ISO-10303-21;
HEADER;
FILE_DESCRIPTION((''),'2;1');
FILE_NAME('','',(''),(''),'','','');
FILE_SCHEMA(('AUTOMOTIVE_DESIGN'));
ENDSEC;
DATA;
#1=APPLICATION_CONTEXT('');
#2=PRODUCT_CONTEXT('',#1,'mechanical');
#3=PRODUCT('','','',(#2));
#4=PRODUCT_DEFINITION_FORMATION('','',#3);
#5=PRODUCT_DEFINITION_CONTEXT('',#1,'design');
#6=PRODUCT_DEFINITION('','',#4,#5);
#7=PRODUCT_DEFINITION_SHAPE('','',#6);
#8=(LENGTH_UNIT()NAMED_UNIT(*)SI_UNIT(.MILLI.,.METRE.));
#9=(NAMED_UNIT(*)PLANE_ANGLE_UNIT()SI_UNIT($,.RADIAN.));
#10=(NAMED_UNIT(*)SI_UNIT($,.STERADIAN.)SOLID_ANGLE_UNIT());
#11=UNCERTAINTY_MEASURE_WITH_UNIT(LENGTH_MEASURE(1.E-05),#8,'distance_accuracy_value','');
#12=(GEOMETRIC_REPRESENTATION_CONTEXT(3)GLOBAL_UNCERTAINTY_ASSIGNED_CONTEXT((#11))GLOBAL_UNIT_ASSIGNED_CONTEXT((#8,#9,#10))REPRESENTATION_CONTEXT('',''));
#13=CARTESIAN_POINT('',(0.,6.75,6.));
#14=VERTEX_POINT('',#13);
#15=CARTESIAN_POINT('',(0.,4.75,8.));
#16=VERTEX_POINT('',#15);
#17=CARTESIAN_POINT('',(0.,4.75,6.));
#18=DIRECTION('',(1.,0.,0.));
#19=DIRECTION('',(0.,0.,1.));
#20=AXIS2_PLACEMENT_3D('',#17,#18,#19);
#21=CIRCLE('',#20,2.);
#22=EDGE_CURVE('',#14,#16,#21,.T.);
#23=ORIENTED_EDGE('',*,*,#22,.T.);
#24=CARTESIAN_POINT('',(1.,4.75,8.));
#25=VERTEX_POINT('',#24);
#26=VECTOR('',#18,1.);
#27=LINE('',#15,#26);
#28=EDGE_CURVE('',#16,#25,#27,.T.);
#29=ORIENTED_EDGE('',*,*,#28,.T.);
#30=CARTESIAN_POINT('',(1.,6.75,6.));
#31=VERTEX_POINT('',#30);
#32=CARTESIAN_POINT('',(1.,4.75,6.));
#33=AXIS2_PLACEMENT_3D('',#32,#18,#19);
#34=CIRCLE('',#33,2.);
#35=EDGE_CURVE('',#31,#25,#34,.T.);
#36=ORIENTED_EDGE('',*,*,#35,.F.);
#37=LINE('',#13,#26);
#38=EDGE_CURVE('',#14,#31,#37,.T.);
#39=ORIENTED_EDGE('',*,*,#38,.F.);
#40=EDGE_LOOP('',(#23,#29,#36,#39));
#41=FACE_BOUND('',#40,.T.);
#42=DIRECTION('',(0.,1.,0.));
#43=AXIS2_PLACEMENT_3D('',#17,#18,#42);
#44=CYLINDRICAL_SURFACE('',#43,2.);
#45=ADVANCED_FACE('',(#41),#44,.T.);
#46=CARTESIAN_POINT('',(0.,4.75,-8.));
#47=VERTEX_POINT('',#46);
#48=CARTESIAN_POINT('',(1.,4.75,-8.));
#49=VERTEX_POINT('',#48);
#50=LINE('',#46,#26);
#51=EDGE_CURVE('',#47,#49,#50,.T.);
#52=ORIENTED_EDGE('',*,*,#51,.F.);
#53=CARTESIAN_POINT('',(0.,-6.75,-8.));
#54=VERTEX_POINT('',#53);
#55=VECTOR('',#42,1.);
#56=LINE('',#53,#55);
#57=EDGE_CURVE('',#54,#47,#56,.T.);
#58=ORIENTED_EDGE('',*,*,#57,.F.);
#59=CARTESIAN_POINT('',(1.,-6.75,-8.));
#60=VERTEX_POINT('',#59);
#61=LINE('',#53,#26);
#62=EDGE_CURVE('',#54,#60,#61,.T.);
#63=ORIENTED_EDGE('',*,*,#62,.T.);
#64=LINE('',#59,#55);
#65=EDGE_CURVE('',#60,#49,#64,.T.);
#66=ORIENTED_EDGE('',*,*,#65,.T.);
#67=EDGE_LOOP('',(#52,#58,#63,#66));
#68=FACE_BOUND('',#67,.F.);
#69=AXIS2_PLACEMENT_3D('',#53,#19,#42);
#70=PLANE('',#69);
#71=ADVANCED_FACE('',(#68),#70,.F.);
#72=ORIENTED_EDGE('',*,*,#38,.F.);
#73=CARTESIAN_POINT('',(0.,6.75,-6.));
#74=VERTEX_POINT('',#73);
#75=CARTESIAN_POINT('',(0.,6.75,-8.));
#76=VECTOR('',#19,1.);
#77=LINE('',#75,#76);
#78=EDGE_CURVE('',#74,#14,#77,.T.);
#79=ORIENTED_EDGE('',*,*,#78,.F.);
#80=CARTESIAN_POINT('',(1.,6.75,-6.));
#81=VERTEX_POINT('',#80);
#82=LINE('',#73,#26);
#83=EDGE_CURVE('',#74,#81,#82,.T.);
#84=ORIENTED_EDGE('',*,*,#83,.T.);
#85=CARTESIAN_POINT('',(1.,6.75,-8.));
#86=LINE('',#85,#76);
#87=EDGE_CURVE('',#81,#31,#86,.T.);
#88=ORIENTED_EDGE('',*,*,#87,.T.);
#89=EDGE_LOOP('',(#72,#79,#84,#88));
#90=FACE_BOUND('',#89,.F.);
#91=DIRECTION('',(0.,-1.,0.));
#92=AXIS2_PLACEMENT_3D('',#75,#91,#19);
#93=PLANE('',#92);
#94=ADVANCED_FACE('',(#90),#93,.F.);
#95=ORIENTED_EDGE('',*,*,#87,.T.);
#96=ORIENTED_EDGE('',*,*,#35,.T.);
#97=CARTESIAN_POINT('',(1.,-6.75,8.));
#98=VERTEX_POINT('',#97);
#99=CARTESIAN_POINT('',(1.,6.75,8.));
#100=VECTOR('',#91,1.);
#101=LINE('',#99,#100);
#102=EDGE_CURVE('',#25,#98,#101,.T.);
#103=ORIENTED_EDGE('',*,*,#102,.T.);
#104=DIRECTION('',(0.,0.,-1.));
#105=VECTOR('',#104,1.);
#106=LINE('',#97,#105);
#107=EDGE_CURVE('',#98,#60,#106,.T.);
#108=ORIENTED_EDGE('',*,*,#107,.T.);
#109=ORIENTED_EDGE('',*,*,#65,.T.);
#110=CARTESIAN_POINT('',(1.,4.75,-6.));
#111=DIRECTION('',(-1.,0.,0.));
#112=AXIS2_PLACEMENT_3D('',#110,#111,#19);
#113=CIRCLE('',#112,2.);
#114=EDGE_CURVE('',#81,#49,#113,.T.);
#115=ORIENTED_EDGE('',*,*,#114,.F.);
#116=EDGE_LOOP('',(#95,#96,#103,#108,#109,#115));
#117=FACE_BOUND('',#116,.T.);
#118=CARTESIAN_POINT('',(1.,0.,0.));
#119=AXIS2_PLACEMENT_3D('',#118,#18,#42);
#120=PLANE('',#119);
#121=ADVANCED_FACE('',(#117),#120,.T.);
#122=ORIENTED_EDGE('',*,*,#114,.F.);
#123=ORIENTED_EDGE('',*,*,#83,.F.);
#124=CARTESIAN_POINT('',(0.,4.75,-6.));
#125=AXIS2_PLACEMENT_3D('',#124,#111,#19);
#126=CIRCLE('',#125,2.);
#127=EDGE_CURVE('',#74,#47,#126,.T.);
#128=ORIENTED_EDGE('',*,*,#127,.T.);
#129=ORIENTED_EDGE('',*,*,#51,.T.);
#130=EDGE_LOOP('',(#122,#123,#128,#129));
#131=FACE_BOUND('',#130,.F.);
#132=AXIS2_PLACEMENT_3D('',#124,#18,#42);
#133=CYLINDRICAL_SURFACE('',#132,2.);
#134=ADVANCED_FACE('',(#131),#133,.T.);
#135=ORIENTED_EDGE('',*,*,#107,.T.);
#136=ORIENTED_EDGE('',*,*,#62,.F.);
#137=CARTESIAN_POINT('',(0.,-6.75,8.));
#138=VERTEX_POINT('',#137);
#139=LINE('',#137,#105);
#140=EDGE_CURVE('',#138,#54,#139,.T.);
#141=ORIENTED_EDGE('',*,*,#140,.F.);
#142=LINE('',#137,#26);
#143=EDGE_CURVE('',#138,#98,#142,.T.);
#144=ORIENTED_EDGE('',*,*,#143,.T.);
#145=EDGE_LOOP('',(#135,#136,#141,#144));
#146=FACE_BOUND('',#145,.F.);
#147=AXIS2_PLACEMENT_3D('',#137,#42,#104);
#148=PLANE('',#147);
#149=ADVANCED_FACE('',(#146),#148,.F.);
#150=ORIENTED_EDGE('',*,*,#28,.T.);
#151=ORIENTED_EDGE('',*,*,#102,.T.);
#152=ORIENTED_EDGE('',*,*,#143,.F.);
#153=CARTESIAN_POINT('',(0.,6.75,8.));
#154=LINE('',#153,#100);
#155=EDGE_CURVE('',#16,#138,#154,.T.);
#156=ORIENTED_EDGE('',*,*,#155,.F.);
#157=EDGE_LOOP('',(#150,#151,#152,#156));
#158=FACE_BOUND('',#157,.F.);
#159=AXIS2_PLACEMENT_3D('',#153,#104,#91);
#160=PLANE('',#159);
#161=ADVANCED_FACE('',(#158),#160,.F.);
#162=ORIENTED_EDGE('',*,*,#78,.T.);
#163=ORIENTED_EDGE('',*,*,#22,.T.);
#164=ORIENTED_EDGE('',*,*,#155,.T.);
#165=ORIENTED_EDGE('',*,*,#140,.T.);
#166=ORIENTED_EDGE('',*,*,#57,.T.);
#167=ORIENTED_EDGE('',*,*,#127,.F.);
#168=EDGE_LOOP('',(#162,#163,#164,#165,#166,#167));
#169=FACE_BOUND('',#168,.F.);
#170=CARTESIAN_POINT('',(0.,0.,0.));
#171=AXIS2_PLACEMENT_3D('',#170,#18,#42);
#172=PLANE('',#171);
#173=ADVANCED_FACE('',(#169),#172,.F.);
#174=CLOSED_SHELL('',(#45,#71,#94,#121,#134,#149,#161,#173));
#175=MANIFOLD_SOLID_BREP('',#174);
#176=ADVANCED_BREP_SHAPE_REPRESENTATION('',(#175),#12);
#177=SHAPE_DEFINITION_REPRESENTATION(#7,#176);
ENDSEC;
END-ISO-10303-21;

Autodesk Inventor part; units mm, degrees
ref_plane "YZ Plane" through (0, 0, 0) normal (1, 0, 0) x (0, 1, 0)
ref_plane "XZ Plane" through (0, 0, 0) normal (0, 1, 0) x (-1, 0, 0)
ref_plane "XY Plane" through (0, 0, 0) normal (0, 0, 1) x (1, 0, 0)
sketch "Sketch1" plane through (0, 0, 0) normal (1, 0, 0) x (0, 1, 0)
  line L0 (6.75, 8) -> (-6.75, 8)
  line L1 (-6.75, 8) -> (-6.75, -8)
  line L2 (-6.75, -8) -> (6.75, -8)
  line L3 (6.75, -8) -> (6.75, 8)
  point P0 (0, 0)
  dimension "d0" = 16
  dimension "d1" = 13.5
  dimension "d2" = 6.75
  dimension "d3" = 8
extrude "Extrusion1" add sketch "Sketch1" along normal blind 1
fillet "Fillet1" radius 2 2 edges at (0.5, 6.75, 8) (0.5, 6.75, -8)
equation "\"d2\" = 0.5 * d1"
equation "\"d3\" = 0.5 * d0"
properties part number "fingertip lid 5"
